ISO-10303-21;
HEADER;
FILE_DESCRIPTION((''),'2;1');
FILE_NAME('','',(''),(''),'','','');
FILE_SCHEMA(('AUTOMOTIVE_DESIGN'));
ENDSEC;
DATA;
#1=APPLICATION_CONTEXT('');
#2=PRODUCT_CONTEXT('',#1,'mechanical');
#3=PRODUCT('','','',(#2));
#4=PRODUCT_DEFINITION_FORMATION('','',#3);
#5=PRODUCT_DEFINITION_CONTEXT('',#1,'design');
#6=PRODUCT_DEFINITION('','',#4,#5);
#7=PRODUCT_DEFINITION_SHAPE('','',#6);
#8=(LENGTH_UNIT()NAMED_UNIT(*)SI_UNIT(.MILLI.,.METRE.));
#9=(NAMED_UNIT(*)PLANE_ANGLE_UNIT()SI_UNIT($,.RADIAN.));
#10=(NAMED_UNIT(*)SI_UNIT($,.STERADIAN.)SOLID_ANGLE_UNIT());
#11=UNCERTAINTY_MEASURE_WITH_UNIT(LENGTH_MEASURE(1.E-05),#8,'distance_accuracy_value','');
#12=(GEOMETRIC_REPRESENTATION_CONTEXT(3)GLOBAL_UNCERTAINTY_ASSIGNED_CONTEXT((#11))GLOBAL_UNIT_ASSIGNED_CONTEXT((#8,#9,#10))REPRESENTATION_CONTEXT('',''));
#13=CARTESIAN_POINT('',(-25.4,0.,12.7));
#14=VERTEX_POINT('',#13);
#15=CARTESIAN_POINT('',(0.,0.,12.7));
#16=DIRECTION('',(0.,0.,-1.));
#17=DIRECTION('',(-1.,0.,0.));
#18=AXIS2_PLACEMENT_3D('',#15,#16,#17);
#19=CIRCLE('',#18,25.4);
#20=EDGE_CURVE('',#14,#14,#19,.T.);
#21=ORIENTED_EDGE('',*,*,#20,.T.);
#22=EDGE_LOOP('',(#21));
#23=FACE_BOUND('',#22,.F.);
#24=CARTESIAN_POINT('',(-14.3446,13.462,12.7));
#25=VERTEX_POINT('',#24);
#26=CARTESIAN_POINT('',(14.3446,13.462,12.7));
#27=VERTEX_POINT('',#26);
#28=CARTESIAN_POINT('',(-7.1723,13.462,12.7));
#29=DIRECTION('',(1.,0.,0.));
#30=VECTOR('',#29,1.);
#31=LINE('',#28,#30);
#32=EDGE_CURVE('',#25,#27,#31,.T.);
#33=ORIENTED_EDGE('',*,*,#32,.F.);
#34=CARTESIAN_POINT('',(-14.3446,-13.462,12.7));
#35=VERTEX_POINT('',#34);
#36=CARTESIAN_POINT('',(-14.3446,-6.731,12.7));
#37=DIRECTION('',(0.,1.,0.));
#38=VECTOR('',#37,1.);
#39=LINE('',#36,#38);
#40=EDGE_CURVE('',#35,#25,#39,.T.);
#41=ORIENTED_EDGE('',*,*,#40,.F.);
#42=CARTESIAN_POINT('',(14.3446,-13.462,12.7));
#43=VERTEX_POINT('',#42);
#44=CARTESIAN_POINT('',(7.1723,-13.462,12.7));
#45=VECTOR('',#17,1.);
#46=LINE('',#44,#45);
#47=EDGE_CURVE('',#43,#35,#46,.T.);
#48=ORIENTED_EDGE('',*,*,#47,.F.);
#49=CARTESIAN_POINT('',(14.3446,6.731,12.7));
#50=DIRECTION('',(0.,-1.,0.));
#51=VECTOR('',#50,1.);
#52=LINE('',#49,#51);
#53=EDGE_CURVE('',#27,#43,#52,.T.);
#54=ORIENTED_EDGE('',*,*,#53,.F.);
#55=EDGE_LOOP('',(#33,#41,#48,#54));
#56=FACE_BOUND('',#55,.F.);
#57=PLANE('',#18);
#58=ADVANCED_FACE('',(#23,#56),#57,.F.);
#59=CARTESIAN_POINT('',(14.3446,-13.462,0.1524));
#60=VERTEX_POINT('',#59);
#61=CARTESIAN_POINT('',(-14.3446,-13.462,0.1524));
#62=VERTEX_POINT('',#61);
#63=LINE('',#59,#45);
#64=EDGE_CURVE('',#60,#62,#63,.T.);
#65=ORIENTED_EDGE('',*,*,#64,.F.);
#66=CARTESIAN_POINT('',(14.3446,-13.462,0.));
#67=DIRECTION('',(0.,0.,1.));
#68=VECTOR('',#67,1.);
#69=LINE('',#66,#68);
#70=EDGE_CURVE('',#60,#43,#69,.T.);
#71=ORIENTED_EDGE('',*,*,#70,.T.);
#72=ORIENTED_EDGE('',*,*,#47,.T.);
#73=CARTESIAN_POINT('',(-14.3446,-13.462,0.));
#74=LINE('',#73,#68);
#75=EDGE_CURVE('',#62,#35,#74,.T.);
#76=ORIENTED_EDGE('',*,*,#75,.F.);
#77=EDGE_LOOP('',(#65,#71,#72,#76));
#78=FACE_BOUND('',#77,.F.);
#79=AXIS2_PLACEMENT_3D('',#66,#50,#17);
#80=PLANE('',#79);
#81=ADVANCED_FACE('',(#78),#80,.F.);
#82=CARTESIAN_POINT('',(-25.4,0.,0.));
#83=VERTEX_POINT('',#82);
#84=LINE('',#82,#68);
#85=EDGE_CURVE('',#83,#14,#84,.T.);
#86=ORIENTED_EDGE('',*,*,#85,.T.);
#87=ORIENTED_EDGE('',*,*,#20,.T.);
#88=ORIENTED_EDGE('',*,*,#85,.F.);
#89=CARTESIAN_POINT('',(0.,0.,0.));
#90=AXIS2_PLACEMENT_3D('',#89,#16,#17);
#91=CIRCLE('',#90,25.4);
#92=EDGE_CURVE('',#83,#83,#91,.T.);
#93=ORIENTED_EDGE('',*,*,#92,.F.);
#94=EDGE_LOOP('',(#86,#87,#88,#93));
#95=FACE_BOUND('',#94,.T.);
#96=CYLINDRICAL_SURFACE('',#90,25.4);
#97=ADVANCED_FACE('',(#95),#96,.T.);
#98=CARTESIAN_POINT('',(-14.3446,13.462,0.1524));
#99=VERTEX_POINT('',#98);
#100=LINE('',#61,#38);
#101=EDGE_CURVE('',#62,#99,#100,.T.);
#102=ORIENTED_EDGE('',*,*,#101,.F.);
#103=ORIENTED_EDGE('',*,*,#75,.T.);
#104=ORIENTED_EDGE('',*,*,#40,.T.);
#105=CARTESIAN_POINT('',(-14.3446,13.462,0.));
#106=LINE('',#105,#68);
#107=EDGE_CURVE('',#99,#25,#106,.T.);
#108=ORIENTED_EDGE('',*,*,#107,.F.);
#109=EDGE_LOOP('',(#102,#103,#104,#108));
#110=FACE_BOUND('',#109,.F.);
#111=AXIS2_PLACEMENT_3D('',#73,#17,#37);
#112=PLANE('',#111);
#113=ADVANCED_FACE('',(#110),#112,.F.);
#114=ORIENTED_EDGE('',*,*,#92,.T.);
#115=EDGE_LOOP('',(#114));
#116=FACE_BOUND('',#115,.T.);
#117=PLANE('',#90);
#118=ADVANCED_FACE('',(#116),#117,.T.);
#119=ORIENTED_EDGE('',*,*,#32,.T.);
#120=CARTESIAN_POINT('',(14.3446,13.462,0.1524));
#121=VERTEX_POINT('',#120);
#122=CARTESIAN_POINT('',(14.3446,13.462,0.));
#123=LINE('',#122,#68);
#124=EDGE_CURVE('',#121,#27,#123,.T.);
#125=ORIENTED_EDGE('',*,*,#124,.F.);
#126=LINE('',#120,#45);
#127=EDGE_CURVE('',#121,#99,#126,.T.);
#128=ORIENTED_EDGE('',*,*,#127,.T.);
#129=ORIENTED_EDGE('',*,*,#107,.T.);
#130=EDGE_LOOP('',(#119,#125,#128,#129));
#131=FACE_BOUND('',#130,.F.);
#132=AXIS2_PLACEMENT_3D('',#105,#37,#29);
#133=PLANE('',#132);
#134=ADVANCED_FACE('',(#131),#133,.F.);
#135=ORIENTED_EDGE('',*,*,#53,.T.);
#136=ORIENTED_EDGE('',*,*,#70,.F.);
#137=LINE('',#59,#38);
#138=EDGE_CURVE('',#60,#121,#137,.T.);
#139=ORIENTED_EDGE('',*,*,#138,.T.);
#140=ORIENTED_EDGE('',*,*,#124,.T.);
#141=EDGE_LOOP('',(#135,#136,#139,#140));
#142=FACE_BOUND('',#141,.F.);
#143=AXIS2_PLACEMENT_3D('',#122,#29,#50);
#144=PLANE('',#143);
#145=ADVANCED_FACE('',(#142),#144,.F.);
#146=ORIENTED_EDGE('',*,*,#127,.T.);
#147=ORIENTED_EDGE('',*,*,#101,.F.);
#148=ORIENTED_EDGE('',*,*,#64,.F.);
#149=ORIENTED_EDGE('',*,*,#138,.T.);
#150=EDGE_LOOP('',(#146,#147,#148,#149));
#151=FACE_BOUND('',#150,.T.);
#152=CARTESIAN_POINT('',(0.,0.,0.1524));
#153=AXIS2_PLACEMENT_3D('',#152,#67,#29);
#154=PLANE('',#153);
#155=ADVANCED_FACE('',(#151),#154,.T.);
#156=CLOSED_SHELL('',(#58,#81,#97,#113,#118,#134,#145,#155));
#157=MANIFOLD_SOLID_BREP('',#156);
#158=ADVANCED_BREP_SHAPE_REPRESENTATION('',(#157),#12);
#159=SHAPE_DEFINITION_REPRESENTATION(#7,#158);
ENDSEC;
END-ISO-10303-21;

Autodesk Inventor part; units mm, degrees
ref_plane "YZ Plane" through (0, 0, 0) normal (1, 0, 0) x (0, 1, 0)
ref_plane "XZ Plane" through (0, 0, 0) normal (0, 1, 0) x (-1, 0, 0)
ref_plane "XY Plane" through (0, 0, 0) normal (0, 0, 1) x (1, 0, 0)
sketch "Sketch1" plane through (0, 0, 0) normal (0, 0, 1) x (1, 0, 0)
  line L0 (-14.3446, 13.462) -> (14.3446, 13.462)
  line L1 (14.3446, 13.462) -> (14.3446, -13.462)
  line L2 (14.3446, -13.462) -> (-14.3446, -13.462)
  line L3 (-14.3446, -13.462) -> (-14.3446, 13.462)
  line L4 (-14.3446, 13.462) -> (14.3446, -13.462) construction
  line L5 (14.3446, 13.462) -> (-14.3446, -13.462) construction
  point P0 (0, 0)
  dimension "d0" = 28.6893
  dimension "d1" = 26.924
ref_plane "Work Plane1" through (0, 0, 0) normal (0, 0, -1) x (-1, 0, 0)
sketch "Sketch2" plane through (0, 0, 0) normal (0, 0, -1) x (-1, 0, 0)
  circle A0 centre (0, 0) radius 25.4
  dimension "d4" = 50.8
extrude "Extrusion2" add sketch "Sketch2" against normal blind 12.7
extrude "Extrusion3" cut sketch "Sketch1" along normal through all
sketch "Sketch3" plane through (0, 0, 0) normal (0, 0, 1) x (1, 0, 0)
  line L0 (-14.3446, -13.462) -> (14.3446, -13.462) projected
  line L1 (-14.3446, 13.462) -> (-14.3446, -13.462) projected
  line L2 (14.3446, 13.462) -> (-14.3446, 13.462) projected
  line L3 (14.3446, -13.462) -> (14.3446, 13.462) projected
  line L4 (-14.3446, 13.462) -> (-14.3446, -13.462) projected
  line L5 (-14.3446, -13.462) -> (14.3446, -13.462) projected
  line L6 (14.3446, -13.462) -> (14.3446, 13.462) projected
  line L7 (14.3446, 13.462) -> (-14.3446, 13.462) projected
  circle A0 centre (0, 0) radius 25.4 projected
  line L8 (-35.56, 0) -> (35.56, 0) projected
  line L9 (0, -35.56) -> (0, 35.56) projected
  line L10 (14.3446, 13.462) -> (-14.3446, 13.462) projected
  line L11 (-14.3446, -13.462) -> (14.3446, -13.462)
  line L12 (14.3446, -13.462) -> (14.3446, 13.462)
  line L13 (14.3446, 13.462) -> (-14.3446, 13.462)
  line L14 (-14.3446, 13.462) -> (-14.3446, -13.462)
  line L15 (-14.3446, -13.462) -> (14.3446, 13.462) construction
  line L16 (14.3446, -13.462) -> (-14.3446, 13.462) construction
  line L17 (14.3446, 13.462) -> (-14.3446, 13.462) projected
  line L18 (-14.3446, -13.462) -> (14.3447, -13.462)
  line L19 (14.3447, -13.462) -> (14.3446, 13.462)
  line L20 (14.3446, 13.462) -> (-14.3446, 13.462)
  line L21 (-14.3446, 13.462) -> (-14.3446, -13.462)
  line L22 (-14.3446, -13.462) -> (14.3446, 13.462) construction
  line L23 (14.3447, -13.462) -> (-14.3446, 13.462) construction
  line L24 (14.3446, -13.462) -> (14.3446, 13.462) projected
extrude "Extrusion4" add sketch "Sketch3" along normal blind 0.1524 contours L1 L8 L9 L0 | L9 L8 L3 L0 | L1 L2 L9 L8 | L9 L2 L3 L8
pattern_linear "Rectangular Pattern1" [suppressed]
sketch "Sketch4" plane through (0, 0, 0) normal (0, 0, 1) x (1, 0, 0)
  circle A0 centre (0, 0) radius 25.4 projected
  line L0 (-35.56, 0) -> (35.56, 0) projected
  line L1 (0, -35.56) -> (0, 35.56) projected
  line L2 (-14.3446, -13.462) -> (14.3446, -13.462) projected
  line L3 (13.5954, 13.462) -> (13.5954, -13.462) projected
  line L4 (-12.1856, -13.462) -> (13.5954, -13.462)
  line L5 (13.5954, -13.462) -> (13.5954, -0.254)
  line L6 (13.5954, -0.254) -> (-12.1857, -0.254)
  line L7 (-12.1857, -0.254) -> (-12.1856, -13.462)
  line L8 (13.2144, 13.462) -> (13.5954, 13.462)
  line L9 (10.6744, 13.462) -> (11.0554, 13.462)
  line L10 (8.1344, 13.462) -> (8.5154, 13.462)
  line L11 (5.5944, 13.462) -> (5.9754, 13.462)
  line L12 (3.0544, 13.462) -> (3.4354, 13.462)
  line L13 (0.5144, 13.462) -> (0.8954, 13.462)
  line L14 (-2.0256, 13.462) -> (-1.6446, 13.462)
  line L15 (-4.5656, 13.462) -> (-4.1846, 13.462)
  line L16 (-7.1056, 13.462) -> (-6.7246, 13.462)
  line L17 (-9.6456, 13.462) -> (-9.2646, 13.462)
  line L18 (-12.1856, 13.462) -> (-11.8046, 13.462)
  line L19 (-12.1856, 13.462) -> (-11.8046, 13.462)
  line L20 (-12.1856, 13.462) -> (13.5954, 13.462)
  line L21 (13.5954, 13.462) -> (13.5954, 0.254)
  line L22 (13.5954, 0.254) -> (-12.1857, 0.254)
  line L23 (-12.1857, 0.254) -> (-12.1856, 13.462)
  point P0 (-11.8046, -13.462)
  dimension "d15" = 0.254
extrude "Extrusion5" [suppressed]
sketch "Sketch5" plane through (0, 0, 0) normal (0, 0, -1) x (-1, 0, 0)
  circle A0 centre (0, 0) radius 25.4 projected
  line L0 (35.56, 0) -> (-35.56, 0) projected
  line L1 (0, -35.56) -> (0, 35.56) projected
  circle A1 centre (11.9952, -2.794) radius 0.5
  point P0 (11.9952, -0.254)
  dimension "d18" = 1
extrude "Extrusion6" [suppressed]
pattern_linear "Rectangular Pattern2" [suppressed]
mirror "Mirror1" [suppressed]
sketch "Sketch6" plane through (0, 0, 0) normal (0, 0, -1) x (-1, 0, 0)
  point P0 (0, 0)
equation "\"BendRadius\" = Thickness"
equation "\"BendReliefWidth\" = Thickness"
equation "\"BendReliefDepth\" = 0.5 * Thickness"
equation "\"CornerReliefSize\" = 4 * Thickness"
equation "\"MinimumRemnant\" = 2 * Thickness"
equation "\"TransitionRadius\" = BendRadius"
equation "\"JacobiRadiusSize\" = BendRadius"
equation "\"GapSize\" = Thickness"
equation "\"Thickness\" = 3.048"
properties part number "_3DPrint"
